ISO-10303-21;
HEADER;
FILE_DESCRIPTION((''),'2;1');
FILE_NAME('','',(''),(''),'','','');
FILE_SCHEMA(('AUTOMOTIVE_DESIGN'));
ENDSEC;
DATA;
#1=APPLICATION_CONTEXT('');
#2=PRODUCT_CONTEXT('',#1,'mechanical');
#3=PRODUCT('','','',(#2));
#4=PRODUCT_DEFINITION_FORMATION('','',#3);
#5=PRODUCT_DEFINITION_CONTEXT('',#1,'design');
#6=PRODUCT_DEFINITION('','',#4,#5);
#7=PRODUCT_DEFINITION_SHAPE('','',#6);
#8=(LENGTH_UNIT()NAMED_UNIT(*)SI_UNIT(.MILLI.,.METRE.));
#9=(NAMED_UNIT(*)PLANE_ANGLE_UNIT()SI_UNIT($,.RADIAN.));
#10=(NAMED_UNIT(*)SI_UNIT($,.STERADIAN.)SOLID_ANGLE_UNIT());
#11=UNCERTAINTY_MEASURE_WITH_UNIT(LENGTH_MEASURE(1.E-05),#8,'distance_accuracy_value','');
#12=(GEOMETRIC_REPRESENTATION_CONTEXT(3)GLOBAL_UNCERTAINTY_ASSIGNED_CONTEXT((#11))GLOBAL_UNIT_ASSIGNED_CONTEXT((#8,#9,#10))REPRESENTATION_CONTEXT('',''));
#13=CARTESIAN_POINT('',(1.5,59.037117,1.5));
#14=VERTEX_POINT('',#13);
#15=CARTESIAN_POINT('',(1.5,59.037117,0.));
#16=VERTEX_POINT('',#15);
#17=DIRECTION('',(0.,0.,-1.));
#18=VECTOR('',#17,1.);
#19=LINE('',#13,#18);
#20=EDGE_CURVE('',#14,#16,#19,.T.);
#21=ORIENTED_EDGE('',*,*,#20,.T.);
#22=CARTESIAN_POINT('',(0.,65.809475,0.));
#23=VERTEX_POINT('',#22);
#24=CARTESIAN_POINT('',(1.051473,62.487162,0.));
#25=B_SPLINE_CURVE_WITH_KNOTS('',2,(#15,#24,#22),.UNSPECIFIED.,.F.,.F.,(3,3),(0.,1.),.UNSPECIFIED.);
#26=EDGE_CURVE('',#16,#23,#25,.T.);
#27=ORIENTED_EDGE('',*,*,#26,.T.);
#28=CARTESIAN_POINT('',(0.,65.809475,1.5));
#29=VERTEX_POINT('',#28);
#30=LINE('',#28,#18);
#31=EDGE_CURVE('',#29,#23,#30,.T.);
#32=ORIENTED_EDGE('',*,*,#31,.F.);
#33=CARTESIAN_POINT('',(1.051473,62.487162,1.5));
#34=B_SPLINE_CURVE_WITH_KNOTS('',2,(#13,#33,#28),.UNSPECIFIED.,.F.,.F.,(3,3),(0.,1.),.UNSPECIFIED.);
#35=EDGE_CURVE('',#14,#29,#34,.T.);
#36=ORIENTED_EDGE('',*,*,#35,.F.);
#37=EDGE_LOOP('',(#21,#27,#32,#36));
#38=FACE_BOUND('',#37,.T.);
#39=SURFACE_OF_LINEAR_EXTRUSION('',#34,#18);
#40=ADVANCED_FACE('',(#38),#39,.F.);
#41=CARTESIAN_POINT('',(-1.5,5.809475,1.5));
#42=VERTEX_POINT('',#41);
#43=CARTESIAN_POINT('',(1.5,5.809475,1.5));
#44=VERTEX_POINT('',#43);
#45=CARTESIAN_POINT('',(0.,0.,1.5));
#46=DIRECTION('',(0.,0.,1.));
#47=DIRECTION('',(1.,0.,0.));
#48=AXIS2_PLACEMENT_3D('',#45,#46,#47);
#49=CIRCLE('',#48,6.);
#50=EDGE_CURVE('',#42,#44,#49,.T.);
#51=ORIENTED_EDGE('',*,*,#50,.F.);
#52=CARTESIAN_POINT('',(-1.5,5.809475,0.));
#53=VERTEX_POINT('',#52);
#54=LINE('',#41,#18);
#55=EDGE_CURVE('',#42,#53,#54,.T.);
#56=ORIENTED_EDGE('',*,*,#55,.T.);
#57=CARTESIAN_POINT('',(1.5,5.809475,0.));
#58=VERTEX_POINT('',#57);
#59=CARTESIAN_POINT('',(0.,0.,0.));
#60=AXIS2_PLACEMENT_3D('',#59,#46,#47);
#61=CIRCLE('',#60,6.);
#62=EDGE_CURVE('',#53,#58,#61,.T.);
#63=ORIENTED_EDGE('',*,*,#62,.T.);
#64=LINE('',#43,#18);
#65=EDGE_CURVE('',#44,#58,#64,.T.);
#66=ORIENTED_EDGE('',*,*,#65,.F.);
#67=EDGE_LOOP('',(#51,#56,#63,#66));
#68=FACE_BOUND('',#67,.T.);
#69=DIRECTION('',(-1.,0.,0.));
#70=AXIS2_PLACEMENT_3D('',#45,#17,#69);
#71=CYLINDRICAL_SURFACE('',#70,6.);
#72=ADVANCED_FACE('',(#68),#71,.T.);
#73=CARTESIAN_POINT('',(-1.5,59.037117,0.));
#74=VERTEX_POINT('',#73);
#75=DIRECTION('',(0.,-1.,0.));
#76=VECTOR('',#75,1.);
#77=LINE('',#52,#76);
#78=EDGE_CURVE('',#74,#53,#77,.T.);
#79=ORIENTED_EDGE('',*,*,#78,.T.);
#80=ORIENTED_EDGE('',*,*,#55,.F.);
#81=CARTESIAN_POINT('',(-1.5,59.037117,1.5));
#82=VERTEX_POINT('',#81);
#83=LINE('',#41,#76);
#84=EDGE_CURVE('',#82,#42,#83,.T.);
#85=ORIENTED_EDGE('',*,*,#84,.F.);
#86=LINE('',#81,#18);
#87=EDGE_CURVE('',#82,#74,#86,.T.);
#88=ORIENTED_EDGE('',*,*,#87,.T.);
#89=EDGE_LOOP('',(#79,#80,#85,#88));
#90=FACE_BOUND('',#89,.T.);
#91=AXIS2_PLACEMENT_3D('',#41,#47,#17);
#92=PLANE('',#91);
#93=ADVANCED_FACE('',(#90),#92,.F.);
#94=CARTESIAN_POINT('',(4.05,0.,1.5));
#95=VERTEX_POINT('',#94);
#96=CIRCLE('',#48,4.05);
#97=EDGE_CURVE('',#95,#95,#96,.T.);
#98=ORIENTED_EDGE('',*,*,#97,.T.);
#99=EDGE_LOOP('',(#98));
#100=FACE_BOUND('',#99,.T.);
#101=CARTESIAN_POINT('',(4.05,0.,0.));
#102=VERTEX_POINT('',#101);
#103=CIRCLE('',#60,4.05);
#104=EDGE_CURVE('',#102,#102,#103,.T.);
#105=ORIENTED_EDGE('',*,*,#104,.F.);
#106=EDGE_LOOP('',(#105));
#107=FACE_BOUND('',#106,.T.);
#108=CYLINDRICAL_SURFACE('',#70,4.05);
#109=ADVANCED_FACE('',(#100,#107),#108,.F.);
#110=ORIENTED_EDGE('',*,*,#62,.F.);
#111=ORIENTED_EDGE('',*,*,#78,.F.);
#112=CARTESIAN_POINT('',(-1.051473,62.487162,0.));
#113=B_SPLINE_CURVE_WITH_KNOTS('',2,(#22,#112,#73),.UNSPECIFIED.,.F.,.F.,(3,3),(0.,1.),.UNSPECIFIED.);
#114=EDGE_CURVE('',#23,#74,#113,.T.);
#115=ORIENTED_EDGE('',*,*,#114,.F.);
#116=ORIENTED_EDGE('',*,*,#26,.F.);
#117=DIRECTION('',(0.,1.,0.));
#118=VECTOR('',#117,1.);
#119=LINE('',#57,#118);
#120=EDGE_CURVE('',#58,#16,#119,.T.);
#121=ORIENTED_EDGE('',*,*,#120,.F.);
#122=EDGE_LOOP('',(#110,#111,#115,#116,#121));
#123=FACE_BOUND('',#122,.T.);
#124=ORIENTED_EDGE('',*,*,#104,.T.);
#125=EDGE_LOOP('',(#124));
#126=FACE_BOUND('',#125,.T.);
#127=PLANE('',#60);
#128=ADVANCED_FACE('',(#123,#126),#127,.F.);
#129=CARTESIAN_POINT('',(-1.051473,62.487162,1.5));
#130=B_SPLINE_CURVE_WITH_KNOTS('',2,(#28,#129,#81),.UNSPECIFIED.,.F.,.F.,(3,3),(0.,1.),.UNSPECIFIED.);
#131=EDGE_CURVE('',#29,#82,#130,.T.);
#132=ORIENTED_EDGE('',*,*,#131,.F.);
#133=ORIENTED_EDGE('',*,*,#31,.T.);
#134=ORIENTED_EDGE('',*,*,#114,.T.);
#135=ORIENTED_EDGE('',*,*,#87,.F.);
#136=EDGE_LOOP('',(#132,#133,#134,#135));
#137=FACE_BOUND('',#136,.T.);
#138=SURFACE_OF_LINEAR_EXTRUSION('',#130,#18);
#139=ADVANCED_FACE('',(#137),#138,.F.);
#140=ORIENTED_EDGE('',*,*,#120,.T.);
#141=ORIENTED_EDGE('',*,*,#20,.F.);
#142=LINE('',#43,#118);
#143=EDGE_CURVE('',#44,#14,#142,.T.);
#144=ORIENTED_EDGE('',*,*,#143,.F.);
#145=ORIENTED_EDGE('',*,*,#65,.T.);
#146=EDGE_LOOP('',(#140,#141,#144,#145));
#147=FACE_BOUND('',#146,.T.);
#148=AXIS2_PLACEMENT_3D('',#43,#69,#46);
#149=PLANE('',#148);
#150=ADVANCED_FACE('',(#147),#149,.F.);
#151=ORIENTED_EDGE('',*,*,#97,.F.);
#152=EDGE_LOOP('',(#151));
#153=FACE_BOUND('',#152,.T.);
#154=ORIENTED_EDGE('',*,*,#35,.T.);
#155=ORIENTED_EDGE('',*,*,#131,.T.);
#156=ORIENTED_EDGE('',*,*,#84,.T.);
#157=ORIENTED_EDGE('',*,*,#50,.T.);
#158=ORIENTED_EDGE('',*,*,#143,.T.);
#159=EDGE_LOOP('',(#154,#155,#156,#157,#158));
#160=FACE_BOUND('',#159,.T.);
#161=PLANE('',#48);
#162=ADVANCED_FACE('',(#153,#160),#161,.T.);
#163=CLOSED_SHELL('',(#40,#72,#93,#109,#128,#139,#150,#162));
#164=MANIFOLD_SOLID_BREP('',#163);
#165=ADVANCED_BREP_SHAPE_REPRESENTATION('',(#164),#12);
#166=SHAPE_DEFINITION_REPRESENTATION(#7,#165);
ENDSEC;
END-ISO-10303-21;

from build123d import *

# Parameters (mm, degrees)
SKETCH2_R           = 4.05
BOSS_EXTRUDE1_DEPTH = 1.5


with BuildPart() as part:
    # Sketch2 → Boss-Extrude1 (new body)
    with BuildSketch(Plane.XY):
        with BuildLine():
            Line((-1.5, 5.809475019), (-1.5, 59.037116847))
            add(Edge.make_bspline(
                [(0, 65.809475019), (-1.051472953, 62.487162114), (-1.5, 59.037116847)],
                knots=[0, 0, 0, 1, 1, 1], degree=2))
            add(Edge.make_bspline(
                [(0, 65.809475019), (1.051472953, 62.487162114), (1.5, 59.037116847)],
                knots=[0, 0, 0, 1, 1, 1], degree=2))
            Line((1.5, 59.037116847), (1.5, 5.809475019))
            ThreePointArc((1.5, 5.809475019), (0, -6), (-1.5, 5.809475019))
        make_face()
        Circle(SKETCH2_R, mode=Mode.SUBTRACT)
    extrude(amount=BOSS_EXTRUDE1_DEPTH)


solid = part.part
